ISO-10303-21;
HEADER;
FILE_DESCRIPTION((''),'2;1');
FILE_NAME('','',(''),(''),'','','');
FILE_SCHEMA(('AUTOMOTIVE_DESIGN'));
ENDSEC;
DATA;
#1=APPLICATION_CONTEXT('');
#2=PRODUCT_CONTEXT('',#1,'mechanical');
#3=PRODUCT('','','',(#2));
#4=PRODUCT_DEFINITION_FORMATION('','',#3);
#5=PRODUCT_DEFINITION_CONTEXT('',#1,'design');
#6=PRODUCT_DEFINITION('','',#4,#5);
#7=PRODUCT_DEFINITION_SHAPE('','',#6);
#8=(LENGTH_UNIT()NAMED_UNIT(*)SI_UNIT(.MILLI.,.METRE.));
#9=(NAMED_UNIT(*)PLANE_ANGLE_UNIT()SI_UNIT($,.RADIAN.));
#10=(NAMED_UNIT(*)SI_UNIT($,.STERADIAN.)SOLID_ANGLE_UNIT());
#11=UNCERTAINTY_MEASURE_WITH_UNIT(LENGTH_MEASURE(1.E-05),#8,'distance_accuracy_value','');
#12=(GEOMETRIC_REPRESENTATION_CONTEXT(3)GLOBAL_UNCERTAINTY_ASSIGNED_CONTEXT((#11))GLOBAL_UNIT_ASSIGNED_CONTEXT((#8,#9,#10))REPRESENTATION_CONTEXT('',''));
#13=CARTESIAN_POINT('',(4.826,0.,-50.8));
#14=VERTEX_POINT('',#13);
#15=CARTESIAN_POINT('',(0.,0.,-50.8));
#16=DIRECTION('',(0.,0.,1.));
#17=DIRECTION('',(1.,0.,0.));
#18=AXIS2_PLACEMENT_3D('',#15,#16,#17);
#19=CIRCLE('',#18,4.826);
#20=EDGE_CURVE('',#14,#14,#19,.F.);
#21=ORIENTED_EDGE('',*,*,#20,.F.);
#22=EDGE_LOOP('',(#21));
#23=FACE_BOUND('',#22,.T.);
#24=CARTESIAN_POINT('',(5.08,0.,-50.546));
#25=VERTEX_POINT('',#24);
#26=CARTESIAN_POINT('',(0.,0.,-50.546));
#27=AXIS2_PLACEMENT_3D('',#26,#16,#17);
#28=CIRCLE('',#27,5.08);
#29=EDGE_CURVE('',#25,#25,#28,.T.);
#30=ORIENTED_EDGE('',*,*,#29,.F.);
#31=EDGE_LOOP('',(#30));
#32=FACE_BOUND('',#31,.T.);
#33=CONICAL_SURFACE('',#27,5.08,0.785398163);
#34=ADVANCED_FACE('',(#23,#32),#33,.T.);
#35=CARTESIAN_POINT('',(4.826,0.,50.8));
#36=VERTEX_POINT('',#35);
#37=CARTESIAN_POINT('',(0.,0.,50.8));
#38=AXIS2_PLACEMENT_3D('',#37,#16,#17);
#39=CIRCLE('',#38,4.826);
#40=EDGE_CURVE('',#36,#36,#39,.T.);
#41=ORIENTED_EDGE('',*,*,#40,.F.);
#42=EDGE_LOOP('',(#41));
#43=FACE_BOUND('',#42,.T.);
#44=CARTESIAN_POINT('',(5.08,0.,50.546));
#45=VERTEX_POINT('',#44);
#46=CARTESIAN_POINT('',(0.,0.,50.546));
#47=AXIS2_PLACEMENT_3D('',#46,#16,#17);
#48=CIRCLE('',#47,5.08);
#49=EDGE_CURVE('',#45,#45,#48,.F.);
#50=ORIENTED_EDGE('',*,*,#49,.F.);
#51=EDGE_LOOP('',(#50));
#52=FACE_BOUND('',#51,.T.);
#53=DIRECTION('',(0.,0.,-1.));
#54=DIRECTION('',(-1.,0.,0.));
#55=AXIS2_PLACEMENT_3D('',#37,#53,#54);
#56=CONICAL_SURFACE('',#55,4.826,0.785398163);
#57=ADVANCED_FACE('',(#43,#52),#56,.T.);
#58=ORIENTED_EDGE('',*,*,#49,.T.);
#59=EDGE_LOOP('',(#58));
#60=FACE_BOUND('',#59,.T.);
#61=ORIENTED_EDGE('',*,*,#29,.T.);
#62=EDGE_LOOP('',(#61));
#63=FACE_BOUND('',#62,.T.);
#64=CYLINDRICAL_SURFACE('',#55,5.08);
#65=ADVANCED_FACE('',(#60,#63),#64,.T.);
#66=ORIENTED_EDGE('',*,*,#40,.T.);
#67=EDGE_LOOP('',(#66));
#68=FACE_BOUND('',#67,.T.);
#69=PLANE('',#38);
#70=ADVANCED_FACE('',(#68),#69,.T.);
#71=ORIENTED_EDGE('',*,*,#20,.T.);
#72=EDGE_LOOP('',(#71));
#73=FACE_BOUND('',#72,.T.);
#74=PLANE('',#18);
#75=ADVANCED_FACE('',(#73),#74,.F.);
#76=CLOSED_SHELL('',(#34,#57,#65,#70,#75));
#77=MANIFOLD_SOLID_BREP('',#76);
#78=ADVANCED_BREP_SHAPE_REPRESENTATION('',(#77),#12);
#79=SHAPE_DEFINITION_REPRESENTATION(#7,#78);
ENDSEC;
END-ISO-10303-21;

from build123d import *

# Parameters (mm, degrees)
SKETCH1_R           = 5.08
BOSS_EXTRUDE1_DEPTH = 50.8
CHAMFER1_SIZE       = 0.254


with BuildPart() as part:
    # Sketch1 → Boss-Extrude1 (new body, symmetric)
    with BuildSketch(Plane.XY):
        Circle(SKETCH1_R)
    extrude(amount=BOSS_EXTRUDE1_DEPTH, both=True)

    # Chamfer1
    chamfer1_edges = [part.edges().sort_by_distance(p)[0] for p in [
        (-5.08, 0, -50.8),
        (-5.08, 0, 50.8),
    ]]
    chamfer(chamfer1_edges, length=CHAMFER1_SIZE)


solid = part.part
